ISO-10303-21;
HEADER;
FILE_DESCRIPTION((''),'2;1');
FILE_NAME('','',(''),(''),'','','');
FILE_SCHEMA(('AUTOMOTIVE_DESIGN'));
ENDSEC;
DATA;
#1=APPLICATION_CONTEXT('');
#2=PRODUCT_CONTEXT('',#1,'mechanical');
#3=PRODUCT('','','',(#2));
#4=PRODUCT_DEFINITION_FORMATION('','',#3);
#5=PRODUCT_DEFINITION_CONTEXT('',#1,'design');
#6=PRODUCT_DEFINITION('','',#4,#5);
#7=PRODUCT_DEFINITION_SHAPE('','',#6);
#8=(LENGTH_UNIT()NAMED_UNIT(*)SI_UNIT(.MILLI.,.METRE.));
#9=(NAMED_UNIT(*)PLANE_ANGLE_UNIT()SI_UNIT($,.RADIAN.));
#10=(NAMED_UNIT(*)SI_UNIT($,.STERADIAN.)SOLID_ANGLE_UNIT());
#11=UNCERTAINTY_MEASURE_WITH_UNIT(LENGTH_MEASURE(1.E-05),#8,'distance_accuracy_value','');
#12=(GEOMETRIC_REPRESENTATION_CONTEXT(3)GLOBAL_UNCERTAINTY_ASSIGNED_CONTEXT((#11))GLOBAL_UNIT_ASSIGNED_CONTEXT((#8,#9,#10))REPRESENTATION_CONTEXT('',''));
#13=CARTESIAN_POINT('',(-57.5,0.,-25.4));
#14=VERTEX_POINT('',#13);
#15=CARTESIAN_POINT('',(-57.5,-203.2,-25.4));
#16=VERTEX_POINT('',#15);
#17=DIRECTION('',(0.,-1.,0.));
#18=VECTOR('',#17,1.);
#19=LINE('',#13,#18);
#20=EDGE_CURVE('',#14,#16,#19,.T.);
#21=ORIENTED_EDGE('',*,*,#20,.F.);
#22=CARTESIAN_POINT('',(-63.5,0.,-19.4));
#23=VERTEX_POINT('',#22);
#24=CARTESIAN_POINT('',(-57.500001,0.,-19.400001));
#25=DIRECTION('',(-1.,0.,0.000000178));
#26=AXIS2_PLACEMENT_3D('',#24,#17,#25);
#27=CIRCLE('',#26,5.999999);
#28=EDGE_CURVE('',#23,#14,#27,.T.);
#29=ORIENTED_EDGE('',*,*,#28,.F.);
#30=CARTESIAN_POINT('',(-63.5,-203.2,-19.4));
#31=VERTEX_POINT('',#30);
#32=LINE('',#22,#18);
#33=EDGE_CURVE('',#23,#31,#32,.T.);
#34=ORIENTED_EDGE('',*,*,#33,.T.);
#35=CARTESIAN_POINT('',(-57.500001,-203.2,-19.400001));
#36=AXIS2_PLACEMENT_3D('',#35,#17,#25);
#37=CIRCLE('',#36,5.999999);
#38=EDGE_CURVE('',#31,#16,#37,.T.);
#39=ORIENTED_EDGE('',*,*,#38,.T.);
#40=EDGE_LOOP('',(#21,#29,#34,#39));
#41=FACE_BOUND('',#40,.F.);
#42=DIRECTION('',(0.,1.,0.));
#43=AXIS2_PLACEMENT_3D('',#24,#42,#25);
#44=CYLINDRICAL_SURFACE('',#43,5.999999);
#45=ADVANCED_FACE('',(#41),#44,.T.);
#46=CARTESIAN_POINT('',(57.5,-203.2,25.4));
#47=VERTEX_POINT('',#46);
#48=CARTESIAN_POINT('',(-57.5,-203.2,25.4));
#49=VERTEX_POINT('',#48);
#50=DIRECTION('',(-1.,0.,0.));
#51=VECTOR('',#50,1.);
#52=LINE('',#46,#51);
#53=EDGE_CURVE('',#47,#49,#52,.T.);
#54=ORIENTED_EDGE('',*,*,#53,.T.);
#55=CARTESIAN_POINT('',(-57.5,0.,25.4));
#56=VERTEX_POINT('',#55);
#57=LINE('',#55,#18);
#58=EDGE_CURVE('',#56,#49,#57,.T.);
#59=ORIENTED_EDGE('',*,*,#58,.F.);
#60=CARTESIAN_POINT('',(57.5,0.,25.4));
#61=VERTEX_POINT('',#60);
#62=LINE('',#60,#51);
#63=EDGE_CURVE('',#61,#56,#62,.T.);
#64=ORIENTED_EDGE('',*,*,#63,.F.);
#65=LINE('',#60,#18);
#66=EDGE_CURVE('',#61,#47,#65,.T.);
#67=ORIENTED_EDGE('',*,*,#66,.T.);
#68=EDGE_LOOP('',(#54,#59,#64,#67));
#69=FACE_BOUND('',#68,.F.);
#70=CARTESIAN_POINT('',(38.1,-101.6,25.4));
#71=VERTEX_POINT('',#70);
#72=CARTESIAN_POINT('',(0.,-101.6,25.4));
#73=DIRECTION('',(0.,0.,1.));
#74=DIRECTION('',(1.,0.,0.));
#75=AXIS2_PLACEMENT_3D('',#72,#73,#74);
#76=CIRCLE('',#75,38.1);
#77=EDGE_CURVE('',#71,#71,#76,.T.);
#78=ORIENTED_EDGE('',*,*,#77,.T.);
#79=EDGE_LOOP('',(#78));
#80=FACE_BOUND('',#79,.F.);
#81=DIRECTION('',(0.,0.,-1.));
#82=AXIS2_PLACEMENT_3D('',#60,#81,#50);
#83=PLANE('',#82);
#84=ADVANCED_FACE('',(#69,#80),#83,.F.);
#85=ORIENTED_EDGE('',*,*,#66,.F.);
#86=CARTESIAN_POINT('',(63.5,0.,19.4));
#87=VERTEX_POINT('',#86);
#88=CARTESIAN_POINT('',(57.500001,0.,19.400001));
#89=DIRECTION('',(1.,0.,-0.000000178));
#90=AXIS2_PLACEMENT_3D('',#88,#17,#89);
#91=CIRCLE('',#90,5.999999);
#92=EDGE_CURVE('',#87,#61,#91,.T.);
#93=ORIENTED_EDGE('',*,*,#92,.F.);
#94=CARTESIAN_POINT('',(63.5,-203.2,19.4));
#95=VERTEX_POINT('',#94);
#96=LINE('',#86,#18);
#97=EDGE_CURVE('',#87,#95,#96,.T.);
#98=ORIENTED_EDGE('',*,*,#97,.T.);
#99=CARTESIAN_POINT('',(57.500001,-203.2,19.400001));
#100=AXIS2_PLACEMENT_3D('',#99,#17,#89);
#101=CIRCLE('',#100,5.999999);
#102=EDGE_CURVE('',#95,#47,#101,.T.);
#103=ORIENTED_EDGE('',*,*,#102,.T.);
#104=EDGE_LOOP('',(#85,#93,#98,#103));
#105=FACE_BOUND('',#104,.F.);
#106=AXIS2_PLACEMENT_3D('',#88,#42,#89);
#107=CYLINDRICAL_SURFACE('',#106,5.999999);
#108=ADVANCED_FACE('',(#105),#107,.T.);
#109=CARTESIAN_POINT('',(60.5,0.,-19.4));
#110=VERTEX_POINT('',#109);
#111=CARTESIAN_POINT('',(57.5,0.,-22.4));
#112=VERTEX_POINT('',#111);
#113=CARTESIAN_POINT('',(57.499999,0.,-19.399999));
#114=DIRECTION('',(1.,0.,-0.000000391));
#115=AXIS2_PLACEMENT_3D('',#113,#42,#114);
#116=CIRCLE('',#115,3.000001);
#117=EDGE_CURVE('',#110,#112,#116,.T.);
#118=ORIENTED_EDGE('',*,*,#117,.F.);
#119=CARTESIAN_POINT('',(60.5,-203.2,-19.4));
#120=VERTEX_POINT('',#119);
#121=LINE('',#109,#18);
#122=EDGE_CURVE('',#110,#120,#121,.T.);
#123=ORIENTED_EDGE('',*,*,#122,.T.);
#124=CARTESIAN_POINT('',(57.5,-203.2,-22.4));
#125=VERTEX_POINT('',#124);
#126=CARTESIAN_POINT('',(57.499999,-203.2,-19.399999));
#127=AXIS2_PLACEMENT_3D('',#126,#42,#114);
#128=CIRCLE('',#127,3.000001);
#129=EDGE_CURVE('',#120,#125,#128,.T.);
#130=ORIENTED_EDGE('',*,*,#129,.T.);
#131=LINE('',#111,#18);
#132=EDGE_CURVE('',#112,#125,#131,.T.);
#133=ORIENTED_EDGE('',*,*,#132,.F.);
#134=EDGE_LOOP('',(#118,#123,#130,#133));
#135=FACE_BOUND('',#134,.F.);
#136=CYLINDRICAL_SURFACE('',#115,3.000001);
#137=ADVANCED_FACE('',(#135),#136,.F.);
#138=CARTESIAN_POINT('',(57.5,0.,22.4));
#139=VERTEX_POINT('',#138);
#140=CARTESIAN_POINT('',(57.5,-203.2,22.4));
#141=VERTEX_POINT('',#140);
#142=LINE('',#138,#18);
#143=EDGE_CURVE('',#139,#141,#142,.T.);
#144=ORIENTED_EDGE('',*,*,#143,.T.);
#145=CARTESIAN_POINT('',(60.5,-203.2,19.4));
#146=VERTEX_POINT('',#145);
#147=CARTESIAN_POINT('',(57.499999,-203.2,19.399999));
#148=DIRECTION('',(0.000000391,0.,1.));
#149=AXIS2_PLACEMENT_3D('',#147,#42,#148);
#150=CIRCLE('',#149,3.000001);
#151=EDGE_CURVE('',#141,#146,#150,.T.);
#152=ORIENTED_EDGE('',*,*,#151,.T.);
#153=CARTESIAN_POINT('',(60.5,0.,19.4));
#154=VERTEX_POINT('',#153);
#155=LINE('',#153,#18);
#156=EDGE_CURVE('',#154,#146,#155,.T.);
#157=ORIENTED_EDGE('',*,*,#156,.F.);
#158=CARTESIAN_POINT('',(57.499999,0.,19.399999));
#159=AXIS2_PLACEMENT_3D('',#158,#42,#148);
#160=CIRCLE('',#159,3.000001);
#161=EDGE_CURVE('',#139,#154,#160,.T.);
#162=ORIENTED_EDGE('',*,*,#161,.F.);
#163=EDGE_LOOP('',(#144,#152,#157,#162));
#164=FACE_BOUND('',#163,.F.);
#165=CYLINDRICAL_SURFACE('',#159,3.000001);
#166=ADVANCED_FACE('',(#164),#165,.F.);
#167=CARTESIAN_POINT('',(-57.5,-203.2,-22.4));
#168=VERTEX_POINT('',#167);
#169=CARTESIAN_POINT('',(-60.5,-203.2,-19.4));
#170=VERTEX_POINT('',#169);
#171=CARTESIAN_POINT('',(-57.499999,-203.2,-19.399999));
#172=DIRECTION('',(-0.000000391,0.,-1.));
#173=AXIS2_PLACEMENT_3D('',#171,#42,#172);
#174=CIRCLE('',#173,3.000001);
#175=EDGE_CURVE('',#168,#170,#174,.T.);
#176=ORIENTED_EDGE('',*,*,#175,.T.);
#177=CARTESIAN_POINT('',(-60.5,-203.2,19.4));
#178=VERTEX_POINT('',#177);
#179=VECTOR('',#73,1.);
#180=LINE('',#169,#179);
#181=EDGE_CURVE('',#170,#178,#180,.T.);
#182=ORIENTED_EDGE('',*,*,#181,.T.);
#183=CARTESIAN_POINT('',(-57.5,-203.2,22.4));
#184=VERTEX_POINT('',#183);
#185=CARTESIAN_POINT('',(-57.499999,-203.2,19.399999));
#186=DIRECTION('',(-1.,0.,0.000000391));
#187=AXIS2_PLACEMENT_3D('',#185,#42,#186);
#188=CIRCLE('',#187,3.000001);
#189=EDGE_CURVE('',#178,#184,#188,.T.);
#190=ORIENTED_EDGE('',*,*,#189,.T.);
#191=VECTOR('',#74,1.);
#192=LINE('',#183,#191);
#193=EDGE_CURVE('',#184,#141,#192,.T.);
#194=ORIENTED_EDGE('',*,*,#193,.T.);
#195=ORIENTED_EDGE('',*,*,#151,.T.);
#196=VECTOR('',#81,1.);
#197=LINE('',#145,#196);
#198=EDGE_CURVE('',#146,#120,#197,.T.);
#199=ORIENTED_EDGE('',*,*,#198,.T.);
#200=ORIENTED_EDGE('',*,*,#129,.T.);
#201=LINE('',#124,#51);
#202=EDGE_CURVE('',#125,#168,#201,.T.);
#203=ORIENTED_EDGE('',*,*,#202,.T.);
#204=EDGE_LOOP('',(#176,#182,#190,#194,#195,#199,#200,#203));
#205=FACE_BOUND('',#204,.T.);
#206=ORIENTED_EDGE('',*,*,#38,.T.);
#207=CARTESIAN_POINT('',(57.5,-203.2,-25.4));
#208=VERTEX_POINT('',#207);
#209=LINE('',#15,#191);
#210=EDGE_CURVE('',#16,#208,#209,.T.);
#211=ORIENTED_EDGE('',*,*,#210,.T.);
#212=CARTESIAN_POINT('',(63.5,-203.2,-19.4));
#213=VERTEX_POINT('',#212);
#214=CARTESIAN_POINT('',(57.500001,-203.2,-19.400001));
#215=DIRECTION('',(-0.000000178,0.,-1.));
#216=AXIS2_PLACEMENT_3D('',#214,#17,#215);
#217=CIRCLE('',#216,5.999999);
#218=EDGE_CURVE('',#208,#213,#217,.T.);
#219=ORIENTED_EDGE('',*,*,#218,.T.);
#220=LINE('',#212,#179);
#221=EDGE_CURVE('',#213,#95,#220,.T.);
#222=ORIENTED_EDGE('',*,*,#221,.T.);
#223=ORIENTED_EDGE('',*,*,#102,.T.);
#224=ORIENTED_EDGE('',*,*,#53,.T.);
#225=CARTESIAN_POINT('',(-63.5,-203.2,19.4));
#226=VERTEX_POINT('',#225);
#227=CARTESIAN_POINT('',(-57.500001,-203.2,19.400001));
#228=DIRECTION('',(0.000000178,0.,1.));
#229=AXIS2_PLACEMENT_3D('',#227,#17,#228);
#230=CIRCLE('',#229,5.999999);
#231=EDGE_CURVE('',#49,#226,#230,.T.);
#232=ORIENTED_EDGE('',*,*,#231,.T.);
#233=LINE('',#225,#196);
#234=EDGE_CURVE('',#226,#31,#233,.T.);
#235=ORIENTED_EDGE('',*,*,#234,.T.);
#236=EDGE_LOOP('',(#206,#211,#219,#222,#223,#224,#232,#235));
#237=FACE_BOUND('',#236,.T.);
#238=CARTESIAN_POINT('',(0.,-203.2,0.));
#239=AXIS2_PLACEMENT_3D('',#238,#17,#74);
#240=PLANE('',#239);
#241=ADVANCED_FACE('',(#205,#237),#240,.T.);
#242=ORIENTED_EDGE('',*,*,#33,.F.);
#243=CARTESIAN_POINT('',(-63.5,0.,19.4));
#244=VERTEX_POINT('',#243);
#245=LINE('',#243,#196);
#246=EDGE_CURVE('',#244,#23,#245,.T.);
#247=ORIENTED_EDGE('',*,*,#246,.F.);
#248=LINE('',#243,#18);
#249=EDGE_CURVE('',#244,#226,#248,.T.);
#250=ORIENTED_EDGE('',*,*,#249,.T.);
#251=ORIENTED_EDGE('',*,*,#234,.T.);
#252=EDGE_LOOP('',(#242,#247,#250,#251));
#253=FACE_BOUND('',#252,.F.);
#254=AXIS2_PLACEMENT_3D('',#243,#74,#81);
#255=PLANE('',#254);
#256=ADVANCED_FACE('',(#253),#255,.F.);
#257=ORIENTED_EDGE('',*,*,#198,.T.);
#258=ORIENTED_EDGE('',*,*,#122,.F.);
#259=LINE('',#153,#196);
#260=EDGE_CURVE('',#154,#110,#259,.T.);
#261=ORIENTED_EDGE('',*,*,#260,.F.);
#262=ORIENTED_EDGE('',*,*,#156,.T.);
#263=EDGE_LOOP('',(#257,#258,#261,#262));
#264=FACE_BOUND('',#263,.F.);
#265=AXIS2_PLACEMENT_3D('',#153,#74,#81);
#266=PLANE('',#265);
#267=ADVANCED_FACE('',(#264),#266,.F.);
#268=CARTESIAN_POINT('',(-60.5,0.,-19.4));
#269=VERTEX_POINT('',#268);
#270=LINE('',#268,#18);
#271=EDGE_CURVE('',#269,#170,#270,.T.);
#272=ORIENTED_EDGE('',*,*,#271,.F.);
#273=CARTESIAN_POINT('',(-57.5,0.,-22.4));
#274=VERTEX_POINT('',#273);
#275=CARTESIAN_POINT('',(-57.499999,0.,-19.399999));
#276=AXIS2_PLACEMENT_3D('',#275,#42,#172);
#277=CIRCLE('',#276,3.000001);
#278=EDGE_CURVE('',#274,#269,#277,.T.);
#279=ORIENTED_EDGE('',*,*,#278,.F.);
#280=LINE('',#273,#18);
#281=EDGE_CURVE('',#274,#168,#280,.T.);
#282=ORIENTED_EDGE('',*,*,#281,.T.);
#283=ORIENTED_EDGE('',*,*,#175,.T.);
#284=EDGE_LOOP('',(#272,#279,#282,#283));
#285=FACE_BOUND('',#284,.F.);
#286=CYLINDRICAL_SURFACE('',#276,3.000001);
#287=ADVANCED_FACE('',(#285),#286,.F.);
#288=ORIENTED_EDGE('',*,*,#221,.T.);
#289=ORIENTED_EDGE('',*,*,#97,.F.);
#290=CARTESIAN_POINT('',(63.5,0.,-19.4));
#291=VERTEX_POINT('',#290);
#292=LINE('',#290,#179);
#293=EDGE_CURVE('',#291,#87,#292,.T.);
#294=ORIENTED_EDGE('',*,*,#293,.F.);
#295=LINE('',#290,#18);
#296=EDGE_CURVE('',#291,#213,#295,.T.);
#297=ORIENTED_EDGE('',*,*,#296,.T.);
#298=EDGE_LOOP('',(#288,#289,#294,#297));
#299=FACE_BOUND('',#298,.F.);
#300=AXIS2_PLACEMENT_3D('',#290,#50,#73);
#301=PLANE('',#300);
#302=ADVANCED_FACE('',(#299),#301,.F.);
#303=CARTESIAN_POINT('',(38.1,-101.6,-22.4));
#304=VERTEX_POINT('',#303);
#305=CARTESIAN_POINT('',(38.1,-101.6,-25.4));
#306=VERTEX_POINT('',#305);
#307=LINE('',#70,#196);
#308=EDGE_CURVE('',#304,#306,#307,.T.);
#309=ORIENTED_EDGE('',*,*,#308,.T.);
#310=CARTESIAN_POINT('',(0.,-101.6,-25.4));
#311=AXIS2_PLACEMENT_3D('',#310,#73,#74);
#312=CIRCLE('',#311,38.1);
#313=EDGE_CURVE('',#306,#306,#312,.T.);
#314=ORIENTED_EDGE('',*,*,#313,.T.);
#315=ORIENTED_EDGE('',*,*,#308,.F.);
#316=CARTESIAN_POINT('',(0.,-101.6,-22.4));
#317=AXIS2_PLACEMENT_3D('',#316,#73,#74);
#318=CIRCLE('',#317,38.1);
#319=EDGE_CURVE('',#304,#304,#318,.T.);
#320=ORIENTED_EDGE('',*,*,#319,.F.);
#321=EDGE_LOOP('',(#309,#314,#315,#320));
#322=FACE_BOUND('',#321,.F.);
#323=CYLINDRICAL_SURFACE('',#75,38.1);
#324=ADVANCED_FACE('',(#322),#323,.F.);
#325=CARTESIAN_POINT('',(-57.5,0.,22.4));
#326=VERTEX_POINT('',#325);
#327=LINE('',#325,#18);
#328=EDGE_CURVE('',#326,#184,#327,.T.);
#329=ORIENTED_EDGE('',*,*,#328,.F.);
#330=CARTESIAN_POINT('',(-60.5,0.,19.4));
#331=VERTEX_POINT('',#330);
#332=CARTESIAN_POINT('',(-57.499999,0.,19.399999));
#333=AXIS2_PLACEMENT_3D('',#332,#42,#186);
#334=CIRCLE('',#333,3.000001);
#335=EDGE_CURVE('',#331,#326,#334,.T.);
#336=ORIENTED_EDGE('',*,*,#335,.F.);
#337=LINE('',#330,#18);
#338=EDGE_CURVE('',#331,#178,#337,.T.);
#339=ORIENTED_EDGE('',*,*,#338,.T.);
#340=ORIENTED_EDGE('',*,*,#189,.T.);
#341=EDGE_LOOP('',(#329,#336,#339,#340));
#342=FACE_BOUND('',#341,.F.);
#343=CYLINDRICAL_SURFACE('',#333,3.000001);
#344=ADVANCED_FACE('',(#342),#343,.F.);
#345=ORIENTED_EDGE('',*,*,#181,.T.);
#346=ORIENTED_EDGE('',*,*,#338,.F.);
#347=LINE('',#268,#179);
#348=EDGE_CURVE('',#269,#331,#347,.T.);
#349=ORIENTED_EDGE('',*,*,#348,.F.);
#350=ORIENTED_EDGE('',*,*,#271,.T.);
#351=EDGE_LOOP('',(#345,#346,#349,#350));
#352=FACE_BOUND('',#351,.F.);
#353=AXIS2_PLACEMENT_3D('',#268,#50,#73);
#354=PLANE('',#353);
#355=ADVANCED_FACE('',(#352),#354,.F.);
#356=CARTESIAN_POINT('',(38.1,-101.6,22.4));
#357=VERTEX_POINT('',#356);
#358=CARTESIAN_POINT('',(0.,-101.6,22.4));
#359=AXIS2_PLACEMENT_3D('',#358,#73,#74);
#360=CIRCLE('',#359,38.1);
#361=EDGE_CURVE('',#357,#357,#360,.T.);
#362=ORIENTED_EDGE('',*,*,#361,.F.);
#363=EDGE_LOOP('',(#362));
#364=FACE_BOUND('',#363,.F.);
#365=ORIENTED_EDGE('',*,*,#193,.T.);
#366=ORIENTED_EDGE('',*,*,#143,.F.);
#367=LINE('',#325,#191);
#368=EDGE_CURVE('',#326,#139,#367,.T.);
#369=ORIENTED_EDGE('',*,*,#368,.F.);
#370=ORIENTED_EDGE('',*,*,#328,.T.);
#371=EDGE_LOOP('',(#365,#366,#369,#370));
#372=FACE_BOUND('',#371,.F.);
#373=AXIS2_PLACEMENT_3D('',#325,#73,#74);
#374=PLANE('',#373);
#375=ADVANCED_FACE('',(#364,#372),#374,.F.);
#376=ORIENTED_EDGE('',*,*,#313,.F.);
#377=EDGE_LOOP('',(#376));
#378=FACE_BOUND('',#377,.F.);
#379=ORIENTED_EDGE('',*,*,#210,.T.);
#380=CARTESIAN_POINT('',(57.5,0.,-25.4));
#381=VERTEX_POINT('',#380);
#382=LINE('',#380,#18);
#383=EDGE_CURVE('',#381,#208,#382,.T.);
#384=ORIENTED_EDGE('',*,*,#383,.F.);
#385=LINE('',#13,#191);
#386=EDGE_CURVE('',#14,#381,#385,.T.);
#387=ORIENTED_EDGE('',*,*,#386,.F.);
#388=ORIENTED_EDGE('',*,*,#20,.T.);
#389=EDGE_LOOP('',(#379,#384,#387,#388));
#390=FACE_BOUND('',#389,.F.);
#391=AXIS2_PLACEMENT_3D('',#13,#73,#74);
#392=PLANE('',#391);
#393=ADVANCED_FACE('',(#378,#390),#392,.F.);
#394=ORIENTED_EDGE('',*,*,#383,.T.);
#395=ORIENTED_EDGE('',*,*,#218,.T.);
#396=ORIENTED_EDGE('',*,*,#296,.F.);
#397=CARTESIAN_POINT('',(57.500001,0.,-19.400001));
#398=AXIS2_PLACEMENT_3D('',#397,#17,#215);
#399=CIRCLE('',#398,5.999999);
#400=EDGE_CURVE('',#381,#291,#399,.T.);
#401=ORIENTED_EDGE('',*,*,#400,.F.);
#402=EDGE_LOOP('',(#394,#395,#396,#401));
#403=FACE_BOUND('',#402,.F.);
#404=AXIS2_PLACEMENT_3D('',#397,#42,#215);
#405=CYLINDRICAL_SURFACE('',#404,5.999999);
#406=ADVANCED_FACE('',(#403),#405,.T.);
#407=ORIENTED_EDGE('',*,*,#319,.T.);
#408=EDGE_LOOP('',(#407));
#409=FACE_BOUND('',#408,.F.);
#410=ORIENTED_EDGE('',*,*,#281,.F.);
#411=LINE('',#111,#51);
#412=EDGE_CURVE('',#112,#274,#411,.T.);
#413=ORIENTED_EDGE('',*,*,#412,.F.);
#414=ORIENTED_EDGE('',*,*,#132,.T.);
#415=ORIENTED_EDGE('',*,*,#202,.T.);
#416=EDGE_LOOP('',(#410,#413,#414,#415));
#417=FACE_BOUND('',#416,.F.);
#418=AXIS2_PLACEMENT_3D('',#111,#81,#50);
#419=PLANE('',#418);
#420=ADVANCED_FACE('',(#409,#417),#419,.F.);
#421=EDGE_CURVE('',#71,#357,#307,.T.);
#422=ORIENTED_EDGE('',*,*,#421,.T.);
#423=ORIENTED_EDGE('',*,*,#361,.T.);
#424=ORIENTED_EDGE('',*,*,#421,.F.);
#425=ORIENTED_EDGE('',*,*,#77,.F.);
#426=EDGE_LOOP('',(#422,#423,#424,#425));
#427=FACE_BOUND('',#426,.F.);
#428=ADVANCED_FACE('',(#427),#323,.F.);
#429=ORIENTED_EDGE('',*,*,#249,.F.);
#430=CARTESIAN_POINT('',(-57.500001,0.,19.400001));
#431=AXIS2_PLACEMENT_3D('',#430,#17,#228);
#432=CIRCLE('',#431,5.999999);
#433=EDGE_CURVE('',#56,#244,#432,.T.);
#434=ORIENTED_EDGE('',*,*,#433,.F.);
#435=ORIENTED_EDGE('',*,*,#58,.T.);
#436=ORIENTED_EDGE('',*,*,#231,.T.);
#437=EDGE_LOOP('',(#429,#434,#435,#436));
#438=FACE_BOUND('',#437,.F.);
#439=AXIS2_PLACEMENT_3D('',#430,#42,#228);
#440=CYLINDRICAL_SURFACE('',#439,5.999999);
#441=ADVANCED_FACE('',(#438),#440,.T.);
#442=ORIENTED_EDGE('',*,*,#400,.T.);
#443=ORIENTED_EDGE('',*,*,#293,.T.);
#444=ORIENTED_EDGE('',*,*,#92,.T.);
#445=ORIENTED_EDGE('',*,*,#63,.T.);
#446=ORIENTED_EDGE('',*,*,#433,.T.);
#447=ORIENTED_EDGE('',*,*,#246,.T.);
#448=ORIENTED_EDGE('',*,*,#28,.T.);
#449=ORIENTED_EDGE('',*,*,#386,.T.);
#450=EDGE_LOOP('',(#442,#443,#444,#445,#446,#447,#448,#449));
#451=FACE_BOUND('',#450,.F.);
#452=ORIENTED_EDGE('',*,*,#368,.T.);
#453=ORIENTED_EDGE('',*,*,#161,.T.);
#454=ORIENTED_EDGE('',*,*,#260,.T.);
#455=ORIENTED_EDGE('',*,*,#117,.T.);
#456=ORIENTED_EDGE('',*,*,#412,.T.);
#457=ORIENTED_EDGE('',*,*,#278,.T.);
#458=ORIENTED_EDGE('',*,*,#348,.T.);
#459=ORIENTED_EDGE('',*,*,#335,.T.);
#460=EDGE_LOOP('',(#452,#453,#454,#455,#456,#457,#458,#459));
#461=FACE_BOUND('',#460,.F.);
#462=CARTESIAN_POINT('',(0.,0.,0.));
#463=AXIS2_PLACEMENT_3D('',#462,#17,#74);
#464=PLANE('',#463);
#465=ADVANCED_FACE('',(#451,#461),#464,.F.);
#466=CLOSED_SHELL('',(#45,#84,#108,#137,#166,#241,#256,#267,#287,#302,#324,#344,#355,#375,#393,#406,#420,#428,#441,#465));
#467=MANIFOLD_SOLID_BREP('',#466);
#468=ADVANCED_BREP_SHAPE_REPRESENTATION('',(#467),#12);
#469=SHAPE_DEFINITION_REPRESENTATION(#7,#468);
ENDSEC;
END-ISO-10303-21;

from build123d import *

# Parameters (mm, degrees)
F1_DEPTH = 203.2
F2_R     = 38.1
F3_DEPTH = 50.801


with BuildPart() as f1:
    # F0 (on Front) → F1 (new body)
    with BuildSketch(Plane.XZ):
        with BuildLine():
            Line((-57.5, -25.4), (57.5, -25.4))
            ThreePointArc((57.5, -25.4), (61.742641, -23.642641), (63.5, -19.4))
            Line((63.5, -19.4), (63.5, 19.4))
            ThreePointArc((63.5, 19.4), (61.742641, 23.642641), (57.5, 25.4))
            Line((57.5, 25.4), (-57.5, 25.4))
            ThreePointArc((-57.5, 25.4), (-61.742641, 23.642641), (-63.5, 19.4))
            Line((-63.5, 19.4), (-63.5, -19.4))
            ThreePointArc((-63.5, -19.4), (-61.742641, -23.642641), (-57.5, -25.4))
        make_face()
        with BuildLine():
            ThreePointArc((60.5, -19.4), (59.62132, -21.52132), (57.5, -22.4))
            Line((57.5, -22.4), (-57.5, -22.4))
            ThreePointArc((-57.5, -22.4), (-59.62132, -21.52132), (-60.5, -19.4))
            Line((-60.5, -19.4), (-60.5, 19.4))
            ThreePointArc((-60.5, 19.4), (-59.62132, 21.52132), (-57.5, 22.4))
            Line((-57.5, 22.4), (57.5, 22.4))
            ThreePointArc((57.5, 22.4), (59.62132, 21.52132), (60.5, 19.4))
            Line((60.5, 19.4), (60.5, -19.4))
        make_face(mode=Mode.SUBTRACT)
    extrude(amount=F1_DEPTH)

    # F2 (on face) → F3 (cut, through all)
    with BuildSketch(Plane.XY.offset(25.4)):
        with Locations((0, -101.6)):
            Circle(F2_R)
    extrude(amount=-F3_DEPTH, mode=Mode.SUBTRACT)


solid = f1.part
